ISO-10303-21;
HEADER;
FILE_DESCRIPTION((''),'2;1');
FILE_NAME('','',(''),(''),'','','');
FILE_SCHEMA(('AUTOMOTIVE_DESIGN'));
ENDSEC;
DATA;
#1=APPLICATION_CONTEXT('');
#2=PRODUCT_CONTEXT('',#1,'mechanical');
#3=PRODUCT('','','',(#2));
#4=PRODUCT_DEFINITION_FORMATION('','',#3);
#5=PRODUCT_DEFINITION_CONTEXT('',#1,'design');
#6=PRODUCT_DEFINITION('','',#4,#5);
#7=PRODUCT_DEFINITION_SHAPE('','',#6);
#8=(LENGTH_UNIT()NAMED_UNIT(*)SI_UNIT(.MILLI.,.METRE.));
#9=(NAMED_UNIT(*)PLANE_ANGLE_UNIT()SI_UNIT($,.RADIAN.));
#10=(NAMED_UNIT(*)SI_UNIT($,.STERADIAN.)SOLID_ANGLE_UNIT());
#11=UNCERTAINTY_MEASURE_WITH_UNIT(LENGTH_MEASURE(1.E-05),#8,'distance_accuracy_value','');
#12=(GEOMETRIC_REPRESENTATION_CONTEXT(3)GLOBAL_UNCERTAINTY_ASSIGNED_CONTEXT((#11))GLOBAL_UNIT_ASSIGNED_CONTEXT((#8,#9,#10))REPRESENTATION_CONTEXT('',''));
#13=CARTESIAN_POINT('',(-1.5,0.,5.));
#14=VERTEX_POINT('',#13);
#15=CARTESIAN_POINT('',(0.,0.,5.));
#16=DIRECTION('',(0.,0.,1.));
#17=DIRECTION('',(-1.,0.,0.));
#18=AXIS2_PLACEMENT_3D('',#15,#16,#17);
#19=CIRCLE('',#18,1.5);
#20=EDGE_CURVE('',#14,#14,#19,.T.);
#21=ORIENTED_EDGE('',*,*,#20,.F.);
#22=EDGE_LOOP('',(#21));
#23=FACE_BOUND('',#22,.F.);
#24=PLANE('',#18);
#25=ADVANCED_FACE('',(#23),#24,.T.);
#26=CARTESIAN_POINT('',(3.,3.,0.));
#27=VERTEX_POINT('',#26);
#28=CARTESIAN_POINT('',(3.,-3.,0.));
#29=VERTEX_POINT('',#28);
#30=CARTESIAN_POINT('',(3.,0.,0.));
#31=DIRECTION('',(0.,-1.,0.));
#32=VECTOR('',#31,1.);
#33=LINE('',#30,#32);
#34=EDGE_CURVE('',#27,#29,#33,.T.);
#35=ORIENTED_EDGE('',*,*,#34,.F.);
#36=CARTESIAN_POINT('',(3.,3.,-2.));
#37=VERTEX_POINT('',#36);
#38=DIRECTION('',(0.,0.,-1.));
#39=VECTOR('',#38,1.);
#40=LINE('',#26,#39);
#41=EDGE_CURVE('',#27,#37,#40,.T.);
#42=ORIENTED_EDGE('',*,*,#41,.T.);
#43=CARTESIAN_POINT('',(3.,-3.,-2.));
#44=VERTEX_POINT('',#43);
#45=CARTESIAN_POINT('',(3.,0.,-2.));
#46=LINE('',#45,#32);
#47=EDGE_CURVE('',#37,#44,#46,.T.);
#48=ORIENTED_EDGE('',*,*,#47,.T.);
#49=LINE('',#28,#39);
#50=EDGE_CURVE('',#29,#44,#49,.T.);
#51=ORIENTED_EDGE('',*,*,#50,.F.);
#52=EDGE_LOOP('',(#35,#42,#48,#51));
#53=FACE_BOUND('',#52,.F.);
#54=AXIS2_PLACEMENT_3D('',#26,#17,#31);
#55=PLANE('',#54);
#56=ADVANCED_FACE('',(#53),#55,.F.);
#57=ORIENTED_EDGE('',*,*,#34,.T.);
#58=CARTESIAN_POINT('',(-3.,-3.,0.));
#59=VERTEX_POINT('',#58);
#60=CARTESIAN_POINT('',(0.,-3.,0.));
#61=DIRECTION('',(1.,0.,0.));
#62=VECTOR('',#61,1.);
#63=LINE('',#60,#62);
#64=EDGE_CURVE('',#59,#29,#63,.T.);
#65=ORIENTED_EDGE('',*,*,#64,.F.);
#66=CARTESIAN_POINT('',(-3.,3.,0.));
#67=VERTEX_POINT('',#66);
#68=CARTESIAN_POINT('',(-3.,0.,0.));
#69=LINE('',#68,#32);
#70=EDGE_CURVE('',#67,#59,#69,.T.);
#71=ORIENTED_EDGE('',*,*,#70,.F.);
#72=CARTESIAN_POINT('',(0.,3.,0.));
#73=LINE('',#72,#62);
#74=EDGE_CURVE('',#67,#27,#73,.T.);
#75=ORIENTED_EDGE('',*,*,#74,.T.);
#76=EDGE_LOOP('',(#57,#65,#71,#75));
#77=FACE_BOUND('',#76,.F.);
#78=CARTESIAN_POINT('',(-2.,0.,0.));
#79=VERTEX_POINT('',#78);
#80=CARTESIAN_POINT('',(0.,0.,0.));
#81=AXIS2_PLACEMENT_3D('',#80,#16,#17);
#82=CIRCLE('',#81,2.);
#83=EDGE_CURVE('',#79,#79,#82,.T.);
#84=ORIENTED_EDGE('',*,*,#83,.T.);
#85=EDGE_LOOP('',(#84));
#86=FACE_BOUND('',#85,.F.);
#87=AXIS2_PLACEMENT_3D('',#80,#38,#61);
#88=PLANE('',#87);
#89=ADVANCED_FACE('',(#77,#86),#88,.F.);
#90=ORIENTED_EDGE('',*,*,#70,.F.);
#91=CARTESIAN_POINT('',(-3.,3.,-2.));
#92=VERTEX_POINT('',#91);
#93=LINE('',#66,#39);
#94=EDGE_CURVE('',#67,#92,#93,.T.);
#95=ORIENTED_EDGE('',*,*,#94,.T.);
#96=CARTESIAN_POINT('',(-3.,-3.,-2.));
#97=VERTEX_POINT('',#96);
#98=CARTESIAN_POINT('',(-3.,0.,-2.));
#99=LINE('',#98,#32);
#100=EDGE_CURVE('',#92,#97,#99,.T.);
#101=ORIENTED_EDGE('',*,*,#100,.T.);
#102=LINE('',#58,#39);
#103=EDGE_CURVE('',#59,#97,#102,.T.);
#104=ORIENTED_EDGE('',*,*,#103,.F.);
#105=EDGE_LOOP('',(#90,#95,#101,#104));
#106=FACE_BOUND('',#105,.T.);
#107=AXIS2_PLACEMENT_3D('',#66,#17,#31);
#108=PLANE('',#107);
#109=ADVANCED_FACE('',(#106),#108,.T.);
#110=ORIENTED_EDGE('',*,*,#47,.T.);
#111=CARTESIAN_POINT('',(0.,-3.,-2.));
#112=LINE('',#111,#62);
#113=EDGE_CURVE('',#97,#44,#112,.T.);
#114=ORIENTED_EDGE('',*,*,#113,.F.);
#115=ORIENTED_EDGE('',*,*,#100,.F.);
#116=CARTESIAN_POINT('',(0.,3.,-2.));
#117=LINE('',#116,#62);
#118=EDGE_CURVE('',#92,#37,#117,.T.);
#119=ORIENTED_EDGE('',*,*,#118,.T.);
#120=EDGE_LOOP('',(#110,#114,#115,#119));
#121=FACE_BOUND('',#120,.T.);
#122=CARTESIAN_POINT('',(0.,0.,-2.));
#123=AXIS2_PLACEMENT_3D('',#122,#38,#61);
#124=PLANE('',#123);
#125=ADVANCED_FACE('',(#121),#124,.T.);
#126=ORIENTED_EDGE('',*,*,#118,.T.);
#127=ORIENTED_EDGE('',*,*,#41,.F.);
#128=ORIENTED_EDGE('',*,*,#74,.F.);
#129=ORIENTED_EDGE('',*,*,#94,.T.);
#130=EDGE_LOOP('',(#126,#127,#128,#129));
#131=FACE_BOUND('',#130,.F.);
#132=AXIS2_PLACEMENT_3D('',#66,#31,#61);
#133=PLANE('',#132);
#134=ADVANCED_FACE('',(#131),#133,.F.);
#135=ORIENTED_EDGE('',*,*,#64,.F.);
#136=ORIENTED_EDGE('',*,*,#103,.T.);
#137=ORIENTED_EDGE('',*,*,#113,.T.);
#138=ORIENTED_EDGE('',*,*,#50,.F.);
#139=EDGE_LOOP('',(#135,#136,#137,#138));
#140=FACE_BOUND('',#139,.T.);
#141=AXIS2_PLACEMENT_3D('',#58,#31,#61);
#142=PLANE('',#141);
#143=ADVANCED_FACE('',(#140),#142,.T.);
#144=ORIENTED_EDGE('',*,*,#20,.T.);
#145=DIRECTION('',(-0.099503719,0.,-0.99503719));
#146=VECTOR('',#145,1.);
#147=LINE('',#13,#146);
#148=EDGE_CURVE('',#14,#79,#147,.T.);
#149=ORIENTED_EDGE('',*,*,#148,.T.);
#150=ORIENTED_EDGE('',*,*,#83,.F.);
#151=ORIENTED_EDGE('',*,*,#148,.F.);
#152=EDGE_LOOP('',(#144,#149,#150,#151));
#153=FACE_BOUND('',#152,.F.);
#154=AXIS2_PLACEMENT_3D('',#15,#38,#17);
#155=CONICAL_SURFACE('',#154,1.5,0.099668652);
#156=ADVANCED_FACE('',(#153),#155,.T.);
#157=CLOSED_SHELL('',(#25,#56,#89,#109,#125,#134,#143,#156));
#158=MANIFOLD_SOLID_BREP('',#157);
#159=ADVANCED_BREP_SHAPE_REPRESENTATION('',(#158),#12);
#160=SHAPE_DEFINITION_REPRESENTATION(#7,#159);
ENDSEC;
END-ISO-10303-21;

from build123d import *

# Parameters (mm, degrees)
F2_W     = 6
F2_H     = 6
F2_R     = 2
F3_DEPTH = 2


with BuildPart() as f1:
    # F0 (on Front) → F1 (revolve)
    with BuildSketch(Plane.XZ):
        Polygon((-2, 0), (0, 0), (0, 5), (-1.5, 5), align=None)
    revolve(axis=Axis((0, 0, 7.964), (0, 0, 1)))

    # F2 (on face) → F3 (join)
    with BuildSketch(Plane(origin=(0, 0, 0), x_dir=(1, 0, 0), z_dir=(0, 0, -1))):
        Rectangle(F2_W, F2_H)
        Circle(F2_R, mode=Mode.SUBTRACT)
        Circle(F2_R)
    extrude(amount=F3_DEPTH)


solid = f1.part
